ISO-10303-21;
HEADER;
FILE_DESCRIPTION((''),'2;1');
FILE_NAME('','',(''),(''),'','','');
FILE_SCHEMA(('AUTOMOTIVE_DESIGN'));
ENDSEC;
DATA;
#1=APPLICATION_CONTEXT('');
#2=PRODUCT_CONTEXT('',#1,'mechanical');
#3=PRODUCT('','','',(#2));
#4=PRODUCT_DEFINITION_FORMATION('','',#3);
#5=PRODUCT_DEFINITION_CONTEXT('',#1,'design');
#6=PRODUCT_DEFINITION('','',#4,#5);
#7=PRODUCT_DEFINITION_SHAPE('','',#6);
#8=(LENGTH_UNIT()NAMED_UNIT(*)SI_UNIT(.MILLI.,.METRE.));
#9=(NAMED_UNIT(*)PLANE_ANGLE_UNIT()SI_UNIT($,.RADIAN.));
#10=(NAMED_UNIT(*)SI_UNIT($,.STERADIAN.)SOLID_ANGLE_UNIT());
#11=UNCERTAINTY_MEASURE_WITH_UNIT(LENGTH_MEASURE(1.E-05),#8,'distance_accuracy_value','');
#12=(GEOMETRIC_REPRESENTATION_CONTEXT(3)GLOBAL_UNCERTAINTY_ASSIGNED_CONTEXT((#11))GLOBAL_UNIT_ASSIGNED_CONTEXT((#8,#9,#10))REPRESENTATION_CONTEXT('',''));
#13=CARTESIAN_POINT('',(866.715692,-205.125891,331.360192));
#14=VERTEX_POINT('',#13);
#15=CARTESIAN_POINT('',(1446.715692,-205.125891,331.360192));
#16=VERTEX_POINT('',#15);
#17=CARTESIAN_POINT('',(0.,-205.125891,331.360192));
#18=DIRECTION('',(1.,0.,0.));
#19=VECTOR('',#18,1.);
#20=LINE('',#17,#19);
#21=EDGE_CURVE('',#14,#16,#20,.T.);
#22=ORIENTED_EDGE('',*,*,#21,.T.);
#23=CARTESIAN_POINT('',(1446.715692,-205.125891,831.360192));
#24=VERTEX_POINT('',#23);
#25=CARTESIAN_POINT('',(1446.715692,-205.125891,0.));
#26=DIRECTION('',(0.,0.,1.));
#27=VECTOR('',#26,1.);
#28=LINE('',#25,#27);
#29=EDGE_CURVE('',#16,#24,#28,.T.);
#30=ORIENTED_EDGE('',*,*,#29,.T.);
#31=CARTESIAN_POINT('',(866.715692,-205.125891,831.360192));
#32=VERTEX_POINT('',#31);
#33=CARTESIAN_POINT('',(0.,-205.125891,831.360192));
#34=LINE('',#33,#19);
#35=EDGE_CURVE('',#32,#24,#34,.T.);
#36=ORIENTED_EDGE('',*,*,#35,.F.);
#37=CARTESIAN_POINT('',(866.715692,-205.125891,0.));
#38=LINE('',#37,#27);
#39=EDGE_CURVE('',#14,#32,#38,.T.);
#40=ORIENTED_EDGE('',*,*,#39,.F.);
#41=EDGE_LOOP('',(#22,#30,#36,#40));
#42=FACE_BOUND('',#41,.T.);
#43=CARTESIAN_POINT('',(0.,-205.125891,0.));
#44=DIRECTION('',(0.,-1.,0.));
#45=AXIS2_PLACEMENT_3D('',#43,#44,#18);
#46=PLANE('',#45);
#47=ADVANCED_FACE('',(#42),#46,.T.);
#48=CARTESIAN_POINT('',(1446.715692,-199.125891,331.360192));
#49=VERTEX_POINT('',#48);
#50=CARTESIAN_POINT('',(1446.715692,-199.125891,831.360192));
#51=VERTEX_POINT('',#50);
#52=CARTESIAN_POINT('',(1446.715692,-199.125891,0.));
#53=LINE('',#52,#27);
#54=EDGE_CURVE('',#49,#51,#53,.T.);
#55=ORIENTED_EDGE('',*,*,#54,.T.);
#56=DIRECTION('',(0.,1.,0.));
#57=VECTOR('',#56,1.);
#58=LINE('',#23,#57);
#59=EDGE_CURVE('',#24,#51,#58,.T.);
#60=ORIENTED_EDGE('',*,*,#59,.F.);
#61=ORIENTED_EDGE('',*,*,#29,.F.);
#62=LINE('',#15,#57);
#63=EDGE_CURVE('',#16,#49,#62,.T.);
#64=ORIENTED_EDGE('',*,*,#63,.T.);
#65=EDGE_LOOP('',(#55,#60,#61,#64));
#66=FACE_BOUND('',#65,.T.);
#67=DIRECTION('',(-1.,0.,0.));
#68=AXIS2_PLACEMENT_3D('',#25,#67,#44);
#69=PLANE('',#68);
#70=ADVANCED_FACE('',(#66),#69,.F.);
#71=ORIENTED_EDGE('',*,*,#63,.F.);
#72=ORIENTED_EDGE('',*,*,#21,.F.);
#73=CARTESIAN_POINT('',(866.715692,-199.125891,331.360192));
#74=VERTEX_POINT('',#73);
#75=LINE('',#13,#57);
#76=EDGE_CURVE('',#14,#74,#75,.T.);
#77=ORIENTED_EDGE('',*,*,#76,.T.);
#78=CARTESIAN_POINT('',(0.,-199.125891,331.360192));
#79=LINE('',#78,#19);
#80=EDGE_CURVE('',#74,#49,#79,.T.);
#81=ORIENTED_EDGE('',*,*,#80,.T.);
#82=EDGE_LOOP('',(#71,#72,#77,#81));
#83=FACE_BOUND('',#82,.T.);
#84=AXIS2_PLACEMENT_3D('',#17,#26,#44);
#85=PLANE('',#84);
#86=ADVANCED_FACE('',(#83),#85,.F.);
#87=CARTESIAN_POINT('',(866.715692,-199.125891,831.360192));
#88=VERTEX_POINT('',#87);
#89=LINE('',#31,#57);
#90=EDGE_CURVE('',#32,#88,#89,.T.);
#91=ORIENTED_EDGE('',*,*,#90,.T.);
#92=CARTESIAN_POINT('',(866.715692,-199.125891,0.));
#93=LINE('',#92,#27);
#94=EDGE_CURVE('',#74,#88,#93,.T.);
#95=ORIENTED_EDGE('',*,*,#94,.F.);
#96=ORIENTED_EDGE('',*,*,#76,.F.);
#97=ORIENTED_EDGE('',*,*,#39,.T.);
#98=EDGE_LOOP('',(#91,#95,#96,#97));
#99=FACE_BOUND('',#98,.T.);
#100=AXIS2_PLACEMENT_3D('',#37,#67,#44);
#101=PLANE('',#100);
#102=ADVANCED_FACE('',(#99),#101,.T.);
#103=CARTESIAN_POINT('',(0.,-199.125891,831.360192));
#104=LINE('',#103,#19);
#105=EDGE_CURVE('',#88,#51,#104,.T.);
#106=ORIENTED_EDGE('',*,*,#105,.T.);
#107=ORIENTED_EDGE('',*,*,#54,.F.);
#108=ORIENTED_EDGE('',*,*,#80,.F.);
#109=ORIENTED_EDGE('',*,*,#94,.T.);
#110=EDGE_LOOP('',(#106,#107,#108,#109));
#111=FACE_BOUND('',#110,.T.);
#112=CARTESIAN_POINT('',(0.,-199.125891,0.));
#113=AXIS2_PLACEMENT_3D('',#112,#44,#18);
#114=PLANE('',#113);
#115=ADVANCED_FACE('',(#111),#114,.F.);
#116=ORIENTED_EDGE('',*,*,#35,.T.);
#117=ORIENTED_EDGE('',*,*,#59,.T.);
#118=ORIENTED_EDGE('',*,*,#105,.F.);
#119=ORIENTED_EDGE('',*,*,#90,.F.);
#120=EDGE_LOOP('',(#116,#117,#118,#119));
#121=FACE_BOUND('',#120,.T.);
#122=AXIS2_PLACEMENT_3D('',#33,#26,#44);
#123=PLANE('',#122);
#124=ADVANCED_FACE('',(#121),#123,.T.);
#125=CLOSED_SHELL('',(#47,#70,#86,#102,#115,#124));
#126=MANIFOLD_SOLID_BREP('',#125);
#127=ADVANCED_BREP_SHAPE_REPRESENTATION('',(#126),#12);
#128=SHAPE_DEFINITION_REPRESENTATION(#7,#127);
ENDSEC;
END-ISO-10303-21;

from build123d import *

# Parameters (mm, degrees)
SCHIZZO1_W                   = 580
SCHIZZO1_H                   = 500
ESTRUSIONE_ESTRUSIONE1_DEPTH = 6


with BuildPart() as part:
    # Schizzo1 → Estrusione-Estrusione1 (new body)
    with BuildSketch(Plane.XZ.offset(199.125891028)):
        with Locations((1156.715692012, 581.360192018)):
            Rectangle(SCHIZZO1_W, SCHIZZO1_H)
    extrude(amount=ESTRUSIONE_ESTRUSIONE1_DEPTH)


solid = part.part
